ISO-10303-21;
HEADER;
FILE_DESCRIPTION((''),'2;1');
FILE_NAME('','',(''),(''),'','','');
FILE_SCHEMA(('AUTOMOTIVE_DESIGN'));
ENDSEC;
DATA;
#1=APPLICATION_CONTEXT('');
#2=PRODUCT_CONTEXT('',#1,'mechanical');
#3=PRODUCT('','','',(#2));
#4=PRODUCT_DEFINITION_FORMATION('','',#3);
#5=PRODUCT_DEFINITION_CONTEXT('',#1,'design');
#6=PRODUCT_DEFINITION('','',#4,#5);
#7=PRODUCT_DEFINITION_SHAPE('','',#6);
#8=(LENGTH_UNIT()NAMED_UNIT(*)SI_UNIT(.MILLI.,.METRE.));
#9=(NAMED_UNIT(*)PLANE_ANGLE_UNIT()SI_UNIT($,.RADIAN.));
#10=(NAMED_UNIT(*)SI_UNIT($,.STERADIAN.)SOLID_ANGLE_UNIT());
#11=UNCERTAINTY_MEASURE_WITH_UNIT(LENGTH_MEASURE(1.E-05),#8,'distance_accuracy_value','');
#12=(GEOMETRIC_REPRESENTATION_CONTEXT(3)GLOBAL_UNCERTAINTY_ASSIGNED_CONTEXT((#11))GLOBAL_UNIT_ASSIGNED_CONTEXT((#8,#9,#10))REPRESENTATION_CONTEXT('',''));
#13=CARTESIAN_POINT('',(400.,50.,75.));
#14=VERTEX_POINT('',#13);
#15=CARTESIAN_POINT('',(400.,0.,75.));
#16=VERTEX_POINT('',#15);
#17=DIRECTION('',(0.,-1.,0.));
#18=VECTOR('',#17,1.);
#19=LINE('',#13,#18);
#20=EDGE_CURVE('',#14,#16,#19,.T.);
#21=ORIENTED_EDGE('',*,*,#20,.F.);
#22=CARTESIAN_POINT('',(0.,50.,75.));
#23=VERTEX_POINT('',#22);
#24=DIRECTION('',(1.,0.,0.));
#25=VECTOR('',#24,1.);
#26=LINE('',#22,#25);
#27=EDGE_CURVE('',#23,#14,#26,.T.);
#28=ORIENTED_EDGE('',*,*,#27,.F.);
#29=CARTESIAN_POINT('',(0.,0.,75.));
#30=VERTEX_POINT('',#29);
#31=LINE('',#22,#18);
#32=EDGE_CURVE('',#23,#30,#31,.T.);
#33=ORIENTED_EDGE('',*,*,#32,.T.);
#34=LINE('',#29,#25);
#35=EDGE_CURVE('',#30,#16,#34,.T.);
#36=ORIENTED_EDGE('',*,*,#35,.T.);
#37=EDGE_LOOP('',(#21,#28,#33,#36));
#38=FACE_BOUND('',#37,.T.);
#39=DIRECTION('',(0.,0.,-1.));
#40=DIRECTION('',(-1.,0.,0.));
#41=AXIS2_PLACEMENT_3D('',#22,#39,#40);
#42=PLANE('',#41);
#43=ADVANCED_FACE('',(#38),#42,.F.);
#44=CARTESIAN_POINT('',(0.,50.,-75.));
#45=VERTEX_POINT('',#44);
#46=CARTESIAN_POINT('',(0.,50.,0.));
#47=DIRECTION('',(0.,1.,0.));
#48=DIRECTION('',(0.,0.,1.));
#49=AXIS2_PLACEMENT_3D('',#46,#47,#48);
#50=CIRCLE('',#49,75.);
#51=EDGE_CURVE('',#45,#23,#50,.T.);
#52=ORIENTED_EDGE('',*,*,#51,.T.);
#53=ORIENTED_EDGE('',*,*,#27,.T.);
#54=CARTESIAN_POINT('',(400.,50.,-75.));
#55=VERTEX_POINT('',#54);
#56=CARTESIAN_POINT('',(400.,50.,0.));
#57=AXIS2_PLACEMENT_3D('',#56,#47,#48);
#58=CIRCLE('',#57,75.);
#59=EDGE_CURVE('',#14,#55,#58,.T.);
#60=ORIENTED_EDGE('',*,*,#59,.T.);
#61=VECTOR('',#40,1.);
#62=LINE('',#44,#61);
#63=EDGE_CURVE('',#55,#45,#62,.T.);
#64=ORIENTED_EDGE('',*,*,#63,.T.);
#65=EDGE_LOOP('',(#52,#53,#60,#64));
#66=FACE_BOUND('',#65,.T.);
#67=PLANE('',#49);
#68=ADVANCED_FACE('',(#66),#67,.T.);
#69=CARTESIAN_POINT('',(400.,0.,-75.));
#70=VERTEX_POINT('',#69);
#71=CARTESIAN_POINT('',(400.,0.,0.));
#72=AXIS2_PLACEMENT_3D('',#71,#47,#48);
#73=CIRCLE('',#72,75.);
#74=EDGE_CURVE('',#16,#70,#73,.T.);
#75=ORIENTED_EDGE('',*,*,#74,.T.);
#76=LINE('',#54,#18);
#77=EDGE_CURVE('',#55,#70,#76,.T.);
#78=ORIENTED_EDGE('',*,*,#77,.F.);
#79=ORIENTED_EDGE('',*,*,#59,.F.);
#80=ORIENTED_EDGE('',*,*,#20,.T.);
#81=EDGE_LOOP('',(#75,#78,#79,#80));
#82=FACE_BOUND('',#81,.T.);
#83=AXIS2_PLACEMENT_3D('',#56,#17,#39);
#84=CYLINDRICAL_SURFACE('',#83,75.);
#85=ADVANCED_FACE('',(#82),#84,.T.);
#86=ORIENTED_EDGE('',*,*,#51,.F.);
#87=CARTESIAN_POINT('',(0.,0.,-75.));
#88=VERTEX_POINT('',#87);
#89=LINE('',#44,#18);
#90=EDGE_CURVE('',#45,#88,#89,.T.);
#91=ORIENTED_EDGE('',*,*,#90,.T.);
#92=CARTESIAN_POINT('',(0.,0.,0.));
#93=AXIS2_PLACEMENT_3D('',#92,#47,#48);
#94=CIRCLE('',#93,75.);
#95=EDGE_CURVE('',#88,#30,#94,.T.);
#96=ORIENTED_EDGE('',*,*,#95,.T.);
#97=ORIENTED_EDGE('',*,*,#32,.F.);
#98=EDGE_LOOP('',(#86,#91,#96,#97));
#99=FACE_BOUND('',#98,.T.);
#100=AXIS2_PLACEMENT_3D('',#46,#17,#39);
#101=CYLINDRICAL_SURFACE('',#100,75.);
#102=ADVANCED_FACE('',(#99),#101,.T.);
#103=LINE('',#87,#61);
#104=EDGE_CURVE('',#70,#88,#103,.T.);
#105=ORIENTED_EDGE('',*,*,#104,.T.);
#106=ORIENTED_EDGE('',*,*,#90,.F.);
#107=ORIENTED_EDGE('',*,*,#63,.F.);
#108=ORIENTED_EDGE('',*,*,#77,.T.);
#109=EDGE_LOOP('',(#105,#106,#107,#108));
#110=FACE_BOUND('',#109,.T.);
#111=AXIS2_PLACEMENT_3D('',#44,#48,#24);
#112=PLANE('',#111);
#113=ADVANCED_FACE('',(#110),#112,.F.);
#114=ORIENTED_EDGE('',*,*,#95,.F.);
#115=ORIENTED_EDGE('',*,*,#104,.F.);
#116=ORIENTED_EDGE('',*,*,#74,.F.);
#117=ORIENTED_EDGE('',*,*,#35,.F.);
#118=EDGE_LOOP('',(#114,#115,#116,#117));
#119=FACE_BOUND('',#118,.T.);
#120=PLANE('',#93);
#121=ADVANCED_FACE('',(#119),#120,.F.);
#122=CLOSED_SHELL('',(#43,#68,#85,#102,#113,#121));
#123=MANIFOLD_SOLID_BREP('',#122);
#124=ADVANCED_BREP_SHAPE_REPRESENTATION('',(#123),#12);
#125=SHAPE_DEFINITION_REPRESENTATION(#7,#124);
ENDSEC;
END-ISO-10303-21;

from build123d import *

# Parameters (mm, degrees)
EXTRUDE_1_DEPTH = 50


with BuildPart() as part:
    # 草图1 → 凸台-拉伸1 (new body)
    with BuildSketch(Plane(origin=(0, 0, 0), x_dir=(1, 0, 0), z_dir=(0, 1, 0))):
        with BuildLine():
            Line((0, 75), (400, 75))
            ThreePointArc((400, 75), (475, 0), (400, -75))
            Line((400, -75), (0, -75))
            ThreePointArc((0, -75), (-75, 0), (0, 75))
        make_face()
    extrude(amount=EXTRUDE_1_DEPTH)


solid = part.part
